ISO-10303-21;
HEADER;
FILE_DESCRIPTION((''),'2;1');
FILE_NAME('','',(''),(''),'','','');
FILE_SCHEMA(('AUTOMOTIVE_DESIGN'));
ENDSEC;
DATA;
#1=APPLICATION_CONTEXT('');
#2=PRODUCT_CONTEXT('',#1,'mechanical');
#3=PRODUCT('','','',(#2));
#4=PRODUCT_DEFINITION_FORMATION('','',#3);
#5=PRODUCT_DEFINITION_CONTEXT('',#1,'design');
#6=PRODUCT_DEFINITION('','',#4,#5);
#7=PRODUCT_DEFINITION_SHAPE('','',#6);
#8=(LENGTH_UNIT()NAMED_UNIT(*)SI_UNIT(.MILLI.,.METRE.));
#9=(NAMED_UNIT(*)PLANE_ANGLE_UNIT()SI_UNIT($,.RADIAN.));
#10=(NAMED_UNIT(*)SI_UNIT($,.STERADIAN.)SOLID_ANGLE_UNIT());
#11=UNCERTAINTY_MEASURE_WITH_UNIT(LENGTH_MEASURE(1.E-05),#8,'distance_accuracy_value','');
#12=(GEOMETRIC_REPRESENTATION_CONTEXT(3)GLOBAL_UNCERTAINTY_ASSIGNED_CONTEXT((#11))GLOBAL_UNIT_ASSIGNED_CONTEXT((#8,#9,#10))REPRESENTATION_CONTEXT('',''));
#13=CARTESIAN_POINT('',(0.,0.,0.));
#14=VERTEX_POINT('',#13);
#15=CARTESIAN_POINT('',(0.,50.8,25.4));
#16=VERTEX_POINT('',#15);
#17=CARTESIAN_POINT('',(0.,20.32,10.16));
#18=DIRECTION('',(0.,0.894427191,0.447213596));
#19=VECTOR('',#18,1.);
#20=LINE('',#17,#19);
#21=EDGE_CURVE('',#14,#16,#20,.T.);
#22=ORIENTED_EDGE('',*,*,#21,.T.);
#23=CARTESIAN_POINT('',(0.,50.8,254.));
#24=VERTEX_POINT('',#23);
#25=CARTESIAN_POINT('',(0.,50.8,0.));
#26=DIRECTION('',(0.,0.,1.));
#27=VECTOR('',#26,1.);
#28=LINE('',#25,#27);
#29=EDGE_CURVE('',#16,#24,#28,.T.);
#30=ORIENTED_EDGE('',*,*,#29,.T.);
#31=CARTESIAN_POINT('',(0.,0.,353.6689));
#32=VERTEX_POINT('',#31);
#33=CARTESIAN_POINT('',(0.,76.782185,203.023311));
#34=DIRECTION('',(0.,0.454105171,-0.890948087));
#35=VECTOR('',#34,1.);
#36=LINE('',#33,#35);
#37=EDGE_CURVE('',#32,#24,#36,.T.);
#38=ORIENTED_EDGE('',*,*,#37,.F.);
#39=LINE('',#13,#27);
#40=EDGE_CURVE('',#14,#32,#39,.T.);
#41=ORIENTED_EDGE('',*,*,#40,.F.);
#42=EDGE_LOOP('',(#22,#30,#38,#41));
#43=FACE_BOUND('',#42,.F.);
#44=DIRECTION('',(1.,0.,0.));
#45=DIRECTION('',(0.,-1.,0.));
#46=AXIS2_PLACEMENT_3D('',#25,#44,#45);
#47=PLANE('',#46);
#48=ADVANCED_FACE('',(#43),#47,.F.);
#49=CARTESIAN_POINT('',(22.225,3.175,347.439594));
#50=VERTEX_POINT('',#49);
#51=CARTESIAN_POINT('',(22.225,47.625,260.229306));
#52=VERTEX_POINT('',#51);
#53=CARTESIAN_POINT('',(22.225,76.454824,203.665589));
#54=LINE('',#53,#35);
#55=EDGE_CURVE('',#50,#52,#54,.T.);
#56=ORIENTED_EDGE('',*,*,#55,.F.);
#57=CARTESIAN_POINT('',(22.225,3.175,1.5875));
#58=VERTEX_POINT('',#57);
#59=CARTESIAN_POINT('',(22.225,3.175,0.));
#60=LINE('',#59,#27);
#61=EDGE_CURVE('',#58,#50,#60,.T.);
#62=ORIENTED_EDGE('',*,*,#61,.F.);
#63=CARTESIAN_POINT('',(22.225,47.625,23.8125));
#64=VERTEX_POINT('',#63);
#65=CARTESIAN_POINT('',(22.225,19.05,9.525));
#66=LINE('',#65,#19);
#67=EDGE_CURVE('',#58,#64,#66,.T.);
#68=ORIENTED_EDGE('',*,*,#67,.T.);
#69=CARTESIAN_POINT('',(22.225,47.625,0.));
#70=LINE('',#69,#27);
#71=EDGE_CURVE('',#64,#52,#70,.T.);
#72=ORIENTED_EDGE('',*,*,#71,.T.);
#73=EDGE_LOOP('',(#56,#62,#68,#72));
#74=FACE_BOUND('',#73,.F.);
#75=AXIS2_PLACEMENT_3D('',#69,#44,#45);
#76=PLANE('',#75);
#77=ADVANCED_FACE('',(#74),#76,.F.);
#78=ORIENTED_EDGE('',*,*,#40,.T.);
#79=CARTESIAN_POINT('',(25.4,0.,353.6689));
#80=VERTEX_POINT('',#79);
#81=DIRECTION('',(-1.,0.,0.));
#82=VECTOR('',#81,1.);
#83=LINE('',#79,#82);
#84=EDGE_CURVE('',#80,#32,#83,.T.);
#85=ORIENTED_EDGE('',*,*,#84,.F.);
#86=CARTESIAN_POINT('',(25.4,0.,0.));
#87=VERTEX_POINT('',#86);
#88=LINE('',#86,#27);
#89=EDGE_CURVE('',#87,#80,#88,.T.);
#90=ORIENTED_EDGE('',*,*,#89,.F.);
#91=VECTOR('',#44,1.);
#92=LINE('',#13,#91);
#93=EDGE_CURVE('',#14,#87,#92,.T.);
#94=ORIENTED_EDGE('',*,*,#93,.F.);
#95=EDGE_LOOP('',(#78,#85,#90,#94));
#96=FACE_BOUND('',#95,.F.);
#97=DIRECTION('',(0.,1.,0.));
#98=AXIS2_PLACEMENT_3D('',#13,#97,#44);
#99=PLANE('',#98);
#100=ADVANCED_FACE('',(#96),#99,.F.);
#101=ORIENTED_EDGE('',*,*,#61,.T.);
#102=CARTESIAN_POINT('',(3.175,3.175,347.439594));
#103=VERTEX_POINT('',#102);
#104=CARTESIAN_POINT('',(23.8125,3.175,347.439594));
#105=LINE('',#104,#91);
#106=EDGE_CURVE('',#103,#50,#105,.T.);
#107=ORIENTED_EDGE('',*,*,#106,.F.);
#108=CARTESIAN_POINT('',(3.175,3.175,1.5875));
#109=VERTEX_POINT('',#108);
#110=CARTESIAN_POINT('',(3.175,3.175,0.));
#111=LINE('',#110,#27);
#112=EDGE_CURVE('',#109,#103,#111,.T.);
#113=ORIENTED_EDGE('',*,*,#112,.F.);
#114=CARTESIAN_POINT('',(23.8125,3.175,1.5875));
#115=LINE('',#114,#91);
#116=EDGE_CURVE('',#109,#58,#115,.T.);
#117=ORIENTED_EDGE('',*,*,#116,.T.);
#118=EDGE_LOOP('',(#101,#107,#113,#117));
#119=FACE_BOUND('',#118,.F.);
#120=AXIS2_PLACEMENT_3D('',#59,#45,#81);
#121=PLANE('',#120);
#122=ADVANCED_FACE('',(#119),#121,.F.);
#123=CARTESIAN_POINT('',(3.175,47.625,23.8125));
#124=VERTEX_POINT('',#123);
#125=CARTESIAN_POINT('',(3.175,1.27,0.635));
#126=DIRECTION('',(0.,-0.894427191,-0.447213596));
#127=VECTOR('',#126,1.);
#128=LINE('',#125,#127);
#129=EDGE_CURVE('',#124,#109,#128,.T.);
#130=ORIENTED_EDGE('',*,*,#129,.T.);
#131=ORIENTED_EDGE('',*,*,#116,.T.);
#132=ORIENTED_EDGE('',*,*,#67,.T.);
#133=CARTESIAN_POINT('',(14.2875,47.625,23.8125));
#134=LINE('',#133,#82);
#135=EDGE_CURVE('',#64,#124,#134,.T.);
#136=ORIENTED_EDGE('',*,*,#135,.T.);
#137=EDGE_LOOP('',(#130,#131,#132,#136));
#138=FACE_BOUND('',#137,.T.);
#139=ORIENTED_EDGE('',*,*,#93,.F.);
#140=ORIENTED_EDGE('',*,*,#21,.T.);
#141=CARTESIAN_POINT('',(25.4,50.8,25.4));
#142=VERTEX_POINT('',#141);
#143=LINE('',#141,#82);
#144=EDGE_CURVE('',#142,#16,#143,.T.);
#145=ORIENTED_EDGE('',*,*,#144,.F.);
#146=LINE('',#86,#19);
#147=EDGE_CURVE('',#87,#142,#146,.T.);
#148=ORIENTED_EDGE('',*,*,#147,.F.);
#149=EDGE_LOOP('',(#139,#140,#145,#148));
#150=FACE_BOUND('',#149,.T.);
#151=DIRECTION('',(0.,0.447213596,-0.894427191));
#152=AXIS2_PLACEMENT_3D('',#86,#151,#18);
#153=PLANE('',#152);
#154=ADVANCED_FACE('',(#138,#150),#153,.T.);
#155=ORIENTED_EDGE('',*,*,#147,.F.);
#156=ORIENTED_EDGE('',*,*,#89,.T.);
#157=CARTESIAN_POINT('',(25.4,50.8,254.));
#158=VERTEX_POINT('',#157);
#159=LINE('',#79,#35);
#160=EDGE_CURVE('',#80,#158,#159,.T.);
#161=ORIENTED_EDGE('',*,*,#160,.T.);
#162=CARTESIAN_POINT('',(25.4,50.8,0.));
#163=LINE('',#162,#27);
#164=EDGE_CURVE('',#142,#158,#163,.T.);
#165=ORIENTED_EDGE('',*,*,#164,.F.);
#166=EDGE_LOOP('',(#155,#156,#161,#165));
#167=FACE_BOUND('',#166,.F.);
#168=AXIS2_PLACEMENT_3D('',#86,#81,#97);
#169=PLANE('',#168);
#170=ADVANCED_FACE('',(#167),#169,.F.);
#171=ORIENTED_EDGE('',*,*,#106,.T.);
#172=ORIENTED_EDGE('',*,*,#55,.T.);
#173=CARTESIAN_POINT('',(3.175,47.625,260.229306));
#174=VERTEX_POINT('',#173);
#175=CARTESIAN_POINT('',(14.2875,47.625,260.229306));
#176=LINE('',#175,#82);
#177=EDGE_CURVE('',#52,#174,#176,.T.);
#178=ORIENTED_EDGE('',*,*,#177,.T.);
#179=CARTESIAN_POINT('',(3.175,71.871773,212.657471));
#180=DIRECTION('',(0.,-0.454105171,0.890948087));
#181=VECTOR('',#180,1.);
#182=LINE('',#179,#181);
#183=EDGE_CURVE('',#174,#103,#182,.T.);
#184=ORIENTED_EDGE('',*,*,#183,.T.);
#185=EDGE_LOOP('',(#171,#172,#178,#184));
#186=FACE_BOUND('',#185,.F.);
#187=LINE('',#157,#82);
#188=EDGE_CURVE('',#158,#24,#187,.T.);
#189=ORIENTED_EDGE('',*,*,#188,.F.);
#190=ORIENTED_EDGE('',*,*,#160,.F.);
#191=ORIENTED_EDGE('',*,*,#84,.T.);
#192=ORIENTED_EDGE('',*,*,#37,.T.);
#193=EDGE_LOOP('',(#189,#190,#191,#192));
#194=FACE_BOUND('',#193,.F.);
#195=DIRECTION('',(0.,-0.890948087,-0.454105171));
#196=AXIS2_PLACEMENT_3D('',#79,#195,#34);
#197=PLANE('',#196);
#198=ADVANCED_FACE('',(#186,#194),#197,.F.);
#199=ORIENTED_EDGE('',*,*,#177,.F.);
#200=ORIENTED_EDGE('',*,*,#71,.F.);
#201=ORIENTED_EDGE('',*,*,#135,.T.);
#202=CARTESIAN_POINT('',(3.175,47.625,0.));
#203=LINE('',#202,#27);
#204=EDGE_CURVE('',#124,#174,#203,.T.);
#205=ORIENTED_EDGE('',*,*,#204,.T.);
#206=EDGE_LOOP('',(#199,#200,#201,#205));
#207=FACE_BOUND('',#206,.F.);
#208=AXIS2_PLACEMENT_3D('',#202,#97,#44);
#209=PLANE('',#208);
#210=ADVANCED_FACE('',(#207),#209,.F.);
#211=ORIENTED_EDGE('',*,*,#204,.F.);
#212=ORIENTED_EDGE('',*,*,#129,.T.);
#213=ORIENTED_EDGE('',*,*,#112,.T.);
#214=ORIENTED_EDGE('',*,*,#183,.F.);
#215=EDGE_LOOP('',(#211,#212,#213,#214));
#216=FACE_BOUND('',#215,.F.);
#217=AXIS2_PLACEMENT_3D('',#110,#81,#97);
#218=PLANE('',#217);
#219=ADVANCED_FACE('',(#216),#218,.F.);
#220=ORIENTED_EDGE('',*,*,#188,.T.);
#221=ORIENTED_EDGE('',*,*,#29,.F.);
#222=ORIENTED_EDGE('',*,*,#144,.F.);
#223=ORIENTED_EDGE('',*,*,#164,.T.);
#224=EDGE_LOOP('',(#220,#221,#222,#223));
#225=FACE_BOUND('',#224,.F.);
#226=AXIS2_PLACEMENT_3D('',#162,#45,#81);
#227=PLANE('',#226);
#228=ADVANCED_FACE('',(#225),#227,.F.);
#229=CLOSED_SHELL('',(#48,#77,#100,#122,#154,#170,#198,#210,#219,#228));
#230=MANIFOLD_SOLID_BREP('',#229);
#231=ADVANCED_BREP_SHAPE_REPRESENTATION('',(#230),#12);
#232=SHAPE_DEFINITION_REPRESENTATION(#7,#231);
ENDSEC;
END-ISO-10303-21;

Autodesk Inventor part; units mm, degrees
ref_plane "YZ Plane" through (0, 0, 0) normal (1, 0, 0) x (0, 1, 0)
ref_plane "XZ Plane" through (0, 0, 0) normal (0, 1, 0) x (-1, 0, 0)
ref_plane "XY Plane" through (0, 0, 0) normal (0, 0, 1) x (1, 0, 0)
sketch "Sketch1" plane through (0, 0, 0) normal (0, 0, 1) x (1, 0, 0)
  line L0 (0, 0) -> (25.4, 0)
  line L1 (25.4, 0) -> (25.4, 50.8)
  line L2 (25.4, 50.8) -> (0, 50.8)
  line L3 (0, 50.8) -> (0, 0)
  line L4 (3.175, 47.625) -> (22.225, 47.625)
  line L5 (22.225, 47.625) -> (22.225, 3.175)
  line L6 (22.225, 3.175) -> (3.175, 3.175)
  line L7 (3.175, 3.175) -> (3.175, 47.625)
  dimension "d0" = 25.4
  dimension "d1" = 50.8
  dimension "d2" = 3.175
extrude "Extrusion1" add sketch "Sketch1" along normal blind 381
sketch "Sketch2" plane through (25.4, 0, 0) normal (1, 0, 0) x (0, 0, -1)
  line L0 (-25.4, 50.8) -> (0, 50.8)
  line L1 (0, 50.8) -> (0, 0)
  line L2 (0, 0) -> (-25.4, 50.8)
  line L3 (0, 50.8) -> (-381, 50.8) projected
  line L4 (-381, 50.8) -> (-381, 0)
  line L5 (-381, 50.8) -> (-254, 50.8)
  line L6 (-381, 0) -> (-353.6689, 0)
  line L7 (-353.6689, 0) -> (-379.0689, 0)
  line L8 (-353.6689, 0) -> (-254, 50.8)
  point P0 (-329.9529, 50.8)
  point P1 (-355.3529, 88.9)
  dimension "d8" = 50.8
  dimension "d9" = 25.4
  dimension "d16" = 50.8
  dimension "d17" = 127
  dimension "d18" = 25.4
extrude "Extrusion2" cut sketch "Sketch2" against normal blind 381
properties part number "lift brace"
